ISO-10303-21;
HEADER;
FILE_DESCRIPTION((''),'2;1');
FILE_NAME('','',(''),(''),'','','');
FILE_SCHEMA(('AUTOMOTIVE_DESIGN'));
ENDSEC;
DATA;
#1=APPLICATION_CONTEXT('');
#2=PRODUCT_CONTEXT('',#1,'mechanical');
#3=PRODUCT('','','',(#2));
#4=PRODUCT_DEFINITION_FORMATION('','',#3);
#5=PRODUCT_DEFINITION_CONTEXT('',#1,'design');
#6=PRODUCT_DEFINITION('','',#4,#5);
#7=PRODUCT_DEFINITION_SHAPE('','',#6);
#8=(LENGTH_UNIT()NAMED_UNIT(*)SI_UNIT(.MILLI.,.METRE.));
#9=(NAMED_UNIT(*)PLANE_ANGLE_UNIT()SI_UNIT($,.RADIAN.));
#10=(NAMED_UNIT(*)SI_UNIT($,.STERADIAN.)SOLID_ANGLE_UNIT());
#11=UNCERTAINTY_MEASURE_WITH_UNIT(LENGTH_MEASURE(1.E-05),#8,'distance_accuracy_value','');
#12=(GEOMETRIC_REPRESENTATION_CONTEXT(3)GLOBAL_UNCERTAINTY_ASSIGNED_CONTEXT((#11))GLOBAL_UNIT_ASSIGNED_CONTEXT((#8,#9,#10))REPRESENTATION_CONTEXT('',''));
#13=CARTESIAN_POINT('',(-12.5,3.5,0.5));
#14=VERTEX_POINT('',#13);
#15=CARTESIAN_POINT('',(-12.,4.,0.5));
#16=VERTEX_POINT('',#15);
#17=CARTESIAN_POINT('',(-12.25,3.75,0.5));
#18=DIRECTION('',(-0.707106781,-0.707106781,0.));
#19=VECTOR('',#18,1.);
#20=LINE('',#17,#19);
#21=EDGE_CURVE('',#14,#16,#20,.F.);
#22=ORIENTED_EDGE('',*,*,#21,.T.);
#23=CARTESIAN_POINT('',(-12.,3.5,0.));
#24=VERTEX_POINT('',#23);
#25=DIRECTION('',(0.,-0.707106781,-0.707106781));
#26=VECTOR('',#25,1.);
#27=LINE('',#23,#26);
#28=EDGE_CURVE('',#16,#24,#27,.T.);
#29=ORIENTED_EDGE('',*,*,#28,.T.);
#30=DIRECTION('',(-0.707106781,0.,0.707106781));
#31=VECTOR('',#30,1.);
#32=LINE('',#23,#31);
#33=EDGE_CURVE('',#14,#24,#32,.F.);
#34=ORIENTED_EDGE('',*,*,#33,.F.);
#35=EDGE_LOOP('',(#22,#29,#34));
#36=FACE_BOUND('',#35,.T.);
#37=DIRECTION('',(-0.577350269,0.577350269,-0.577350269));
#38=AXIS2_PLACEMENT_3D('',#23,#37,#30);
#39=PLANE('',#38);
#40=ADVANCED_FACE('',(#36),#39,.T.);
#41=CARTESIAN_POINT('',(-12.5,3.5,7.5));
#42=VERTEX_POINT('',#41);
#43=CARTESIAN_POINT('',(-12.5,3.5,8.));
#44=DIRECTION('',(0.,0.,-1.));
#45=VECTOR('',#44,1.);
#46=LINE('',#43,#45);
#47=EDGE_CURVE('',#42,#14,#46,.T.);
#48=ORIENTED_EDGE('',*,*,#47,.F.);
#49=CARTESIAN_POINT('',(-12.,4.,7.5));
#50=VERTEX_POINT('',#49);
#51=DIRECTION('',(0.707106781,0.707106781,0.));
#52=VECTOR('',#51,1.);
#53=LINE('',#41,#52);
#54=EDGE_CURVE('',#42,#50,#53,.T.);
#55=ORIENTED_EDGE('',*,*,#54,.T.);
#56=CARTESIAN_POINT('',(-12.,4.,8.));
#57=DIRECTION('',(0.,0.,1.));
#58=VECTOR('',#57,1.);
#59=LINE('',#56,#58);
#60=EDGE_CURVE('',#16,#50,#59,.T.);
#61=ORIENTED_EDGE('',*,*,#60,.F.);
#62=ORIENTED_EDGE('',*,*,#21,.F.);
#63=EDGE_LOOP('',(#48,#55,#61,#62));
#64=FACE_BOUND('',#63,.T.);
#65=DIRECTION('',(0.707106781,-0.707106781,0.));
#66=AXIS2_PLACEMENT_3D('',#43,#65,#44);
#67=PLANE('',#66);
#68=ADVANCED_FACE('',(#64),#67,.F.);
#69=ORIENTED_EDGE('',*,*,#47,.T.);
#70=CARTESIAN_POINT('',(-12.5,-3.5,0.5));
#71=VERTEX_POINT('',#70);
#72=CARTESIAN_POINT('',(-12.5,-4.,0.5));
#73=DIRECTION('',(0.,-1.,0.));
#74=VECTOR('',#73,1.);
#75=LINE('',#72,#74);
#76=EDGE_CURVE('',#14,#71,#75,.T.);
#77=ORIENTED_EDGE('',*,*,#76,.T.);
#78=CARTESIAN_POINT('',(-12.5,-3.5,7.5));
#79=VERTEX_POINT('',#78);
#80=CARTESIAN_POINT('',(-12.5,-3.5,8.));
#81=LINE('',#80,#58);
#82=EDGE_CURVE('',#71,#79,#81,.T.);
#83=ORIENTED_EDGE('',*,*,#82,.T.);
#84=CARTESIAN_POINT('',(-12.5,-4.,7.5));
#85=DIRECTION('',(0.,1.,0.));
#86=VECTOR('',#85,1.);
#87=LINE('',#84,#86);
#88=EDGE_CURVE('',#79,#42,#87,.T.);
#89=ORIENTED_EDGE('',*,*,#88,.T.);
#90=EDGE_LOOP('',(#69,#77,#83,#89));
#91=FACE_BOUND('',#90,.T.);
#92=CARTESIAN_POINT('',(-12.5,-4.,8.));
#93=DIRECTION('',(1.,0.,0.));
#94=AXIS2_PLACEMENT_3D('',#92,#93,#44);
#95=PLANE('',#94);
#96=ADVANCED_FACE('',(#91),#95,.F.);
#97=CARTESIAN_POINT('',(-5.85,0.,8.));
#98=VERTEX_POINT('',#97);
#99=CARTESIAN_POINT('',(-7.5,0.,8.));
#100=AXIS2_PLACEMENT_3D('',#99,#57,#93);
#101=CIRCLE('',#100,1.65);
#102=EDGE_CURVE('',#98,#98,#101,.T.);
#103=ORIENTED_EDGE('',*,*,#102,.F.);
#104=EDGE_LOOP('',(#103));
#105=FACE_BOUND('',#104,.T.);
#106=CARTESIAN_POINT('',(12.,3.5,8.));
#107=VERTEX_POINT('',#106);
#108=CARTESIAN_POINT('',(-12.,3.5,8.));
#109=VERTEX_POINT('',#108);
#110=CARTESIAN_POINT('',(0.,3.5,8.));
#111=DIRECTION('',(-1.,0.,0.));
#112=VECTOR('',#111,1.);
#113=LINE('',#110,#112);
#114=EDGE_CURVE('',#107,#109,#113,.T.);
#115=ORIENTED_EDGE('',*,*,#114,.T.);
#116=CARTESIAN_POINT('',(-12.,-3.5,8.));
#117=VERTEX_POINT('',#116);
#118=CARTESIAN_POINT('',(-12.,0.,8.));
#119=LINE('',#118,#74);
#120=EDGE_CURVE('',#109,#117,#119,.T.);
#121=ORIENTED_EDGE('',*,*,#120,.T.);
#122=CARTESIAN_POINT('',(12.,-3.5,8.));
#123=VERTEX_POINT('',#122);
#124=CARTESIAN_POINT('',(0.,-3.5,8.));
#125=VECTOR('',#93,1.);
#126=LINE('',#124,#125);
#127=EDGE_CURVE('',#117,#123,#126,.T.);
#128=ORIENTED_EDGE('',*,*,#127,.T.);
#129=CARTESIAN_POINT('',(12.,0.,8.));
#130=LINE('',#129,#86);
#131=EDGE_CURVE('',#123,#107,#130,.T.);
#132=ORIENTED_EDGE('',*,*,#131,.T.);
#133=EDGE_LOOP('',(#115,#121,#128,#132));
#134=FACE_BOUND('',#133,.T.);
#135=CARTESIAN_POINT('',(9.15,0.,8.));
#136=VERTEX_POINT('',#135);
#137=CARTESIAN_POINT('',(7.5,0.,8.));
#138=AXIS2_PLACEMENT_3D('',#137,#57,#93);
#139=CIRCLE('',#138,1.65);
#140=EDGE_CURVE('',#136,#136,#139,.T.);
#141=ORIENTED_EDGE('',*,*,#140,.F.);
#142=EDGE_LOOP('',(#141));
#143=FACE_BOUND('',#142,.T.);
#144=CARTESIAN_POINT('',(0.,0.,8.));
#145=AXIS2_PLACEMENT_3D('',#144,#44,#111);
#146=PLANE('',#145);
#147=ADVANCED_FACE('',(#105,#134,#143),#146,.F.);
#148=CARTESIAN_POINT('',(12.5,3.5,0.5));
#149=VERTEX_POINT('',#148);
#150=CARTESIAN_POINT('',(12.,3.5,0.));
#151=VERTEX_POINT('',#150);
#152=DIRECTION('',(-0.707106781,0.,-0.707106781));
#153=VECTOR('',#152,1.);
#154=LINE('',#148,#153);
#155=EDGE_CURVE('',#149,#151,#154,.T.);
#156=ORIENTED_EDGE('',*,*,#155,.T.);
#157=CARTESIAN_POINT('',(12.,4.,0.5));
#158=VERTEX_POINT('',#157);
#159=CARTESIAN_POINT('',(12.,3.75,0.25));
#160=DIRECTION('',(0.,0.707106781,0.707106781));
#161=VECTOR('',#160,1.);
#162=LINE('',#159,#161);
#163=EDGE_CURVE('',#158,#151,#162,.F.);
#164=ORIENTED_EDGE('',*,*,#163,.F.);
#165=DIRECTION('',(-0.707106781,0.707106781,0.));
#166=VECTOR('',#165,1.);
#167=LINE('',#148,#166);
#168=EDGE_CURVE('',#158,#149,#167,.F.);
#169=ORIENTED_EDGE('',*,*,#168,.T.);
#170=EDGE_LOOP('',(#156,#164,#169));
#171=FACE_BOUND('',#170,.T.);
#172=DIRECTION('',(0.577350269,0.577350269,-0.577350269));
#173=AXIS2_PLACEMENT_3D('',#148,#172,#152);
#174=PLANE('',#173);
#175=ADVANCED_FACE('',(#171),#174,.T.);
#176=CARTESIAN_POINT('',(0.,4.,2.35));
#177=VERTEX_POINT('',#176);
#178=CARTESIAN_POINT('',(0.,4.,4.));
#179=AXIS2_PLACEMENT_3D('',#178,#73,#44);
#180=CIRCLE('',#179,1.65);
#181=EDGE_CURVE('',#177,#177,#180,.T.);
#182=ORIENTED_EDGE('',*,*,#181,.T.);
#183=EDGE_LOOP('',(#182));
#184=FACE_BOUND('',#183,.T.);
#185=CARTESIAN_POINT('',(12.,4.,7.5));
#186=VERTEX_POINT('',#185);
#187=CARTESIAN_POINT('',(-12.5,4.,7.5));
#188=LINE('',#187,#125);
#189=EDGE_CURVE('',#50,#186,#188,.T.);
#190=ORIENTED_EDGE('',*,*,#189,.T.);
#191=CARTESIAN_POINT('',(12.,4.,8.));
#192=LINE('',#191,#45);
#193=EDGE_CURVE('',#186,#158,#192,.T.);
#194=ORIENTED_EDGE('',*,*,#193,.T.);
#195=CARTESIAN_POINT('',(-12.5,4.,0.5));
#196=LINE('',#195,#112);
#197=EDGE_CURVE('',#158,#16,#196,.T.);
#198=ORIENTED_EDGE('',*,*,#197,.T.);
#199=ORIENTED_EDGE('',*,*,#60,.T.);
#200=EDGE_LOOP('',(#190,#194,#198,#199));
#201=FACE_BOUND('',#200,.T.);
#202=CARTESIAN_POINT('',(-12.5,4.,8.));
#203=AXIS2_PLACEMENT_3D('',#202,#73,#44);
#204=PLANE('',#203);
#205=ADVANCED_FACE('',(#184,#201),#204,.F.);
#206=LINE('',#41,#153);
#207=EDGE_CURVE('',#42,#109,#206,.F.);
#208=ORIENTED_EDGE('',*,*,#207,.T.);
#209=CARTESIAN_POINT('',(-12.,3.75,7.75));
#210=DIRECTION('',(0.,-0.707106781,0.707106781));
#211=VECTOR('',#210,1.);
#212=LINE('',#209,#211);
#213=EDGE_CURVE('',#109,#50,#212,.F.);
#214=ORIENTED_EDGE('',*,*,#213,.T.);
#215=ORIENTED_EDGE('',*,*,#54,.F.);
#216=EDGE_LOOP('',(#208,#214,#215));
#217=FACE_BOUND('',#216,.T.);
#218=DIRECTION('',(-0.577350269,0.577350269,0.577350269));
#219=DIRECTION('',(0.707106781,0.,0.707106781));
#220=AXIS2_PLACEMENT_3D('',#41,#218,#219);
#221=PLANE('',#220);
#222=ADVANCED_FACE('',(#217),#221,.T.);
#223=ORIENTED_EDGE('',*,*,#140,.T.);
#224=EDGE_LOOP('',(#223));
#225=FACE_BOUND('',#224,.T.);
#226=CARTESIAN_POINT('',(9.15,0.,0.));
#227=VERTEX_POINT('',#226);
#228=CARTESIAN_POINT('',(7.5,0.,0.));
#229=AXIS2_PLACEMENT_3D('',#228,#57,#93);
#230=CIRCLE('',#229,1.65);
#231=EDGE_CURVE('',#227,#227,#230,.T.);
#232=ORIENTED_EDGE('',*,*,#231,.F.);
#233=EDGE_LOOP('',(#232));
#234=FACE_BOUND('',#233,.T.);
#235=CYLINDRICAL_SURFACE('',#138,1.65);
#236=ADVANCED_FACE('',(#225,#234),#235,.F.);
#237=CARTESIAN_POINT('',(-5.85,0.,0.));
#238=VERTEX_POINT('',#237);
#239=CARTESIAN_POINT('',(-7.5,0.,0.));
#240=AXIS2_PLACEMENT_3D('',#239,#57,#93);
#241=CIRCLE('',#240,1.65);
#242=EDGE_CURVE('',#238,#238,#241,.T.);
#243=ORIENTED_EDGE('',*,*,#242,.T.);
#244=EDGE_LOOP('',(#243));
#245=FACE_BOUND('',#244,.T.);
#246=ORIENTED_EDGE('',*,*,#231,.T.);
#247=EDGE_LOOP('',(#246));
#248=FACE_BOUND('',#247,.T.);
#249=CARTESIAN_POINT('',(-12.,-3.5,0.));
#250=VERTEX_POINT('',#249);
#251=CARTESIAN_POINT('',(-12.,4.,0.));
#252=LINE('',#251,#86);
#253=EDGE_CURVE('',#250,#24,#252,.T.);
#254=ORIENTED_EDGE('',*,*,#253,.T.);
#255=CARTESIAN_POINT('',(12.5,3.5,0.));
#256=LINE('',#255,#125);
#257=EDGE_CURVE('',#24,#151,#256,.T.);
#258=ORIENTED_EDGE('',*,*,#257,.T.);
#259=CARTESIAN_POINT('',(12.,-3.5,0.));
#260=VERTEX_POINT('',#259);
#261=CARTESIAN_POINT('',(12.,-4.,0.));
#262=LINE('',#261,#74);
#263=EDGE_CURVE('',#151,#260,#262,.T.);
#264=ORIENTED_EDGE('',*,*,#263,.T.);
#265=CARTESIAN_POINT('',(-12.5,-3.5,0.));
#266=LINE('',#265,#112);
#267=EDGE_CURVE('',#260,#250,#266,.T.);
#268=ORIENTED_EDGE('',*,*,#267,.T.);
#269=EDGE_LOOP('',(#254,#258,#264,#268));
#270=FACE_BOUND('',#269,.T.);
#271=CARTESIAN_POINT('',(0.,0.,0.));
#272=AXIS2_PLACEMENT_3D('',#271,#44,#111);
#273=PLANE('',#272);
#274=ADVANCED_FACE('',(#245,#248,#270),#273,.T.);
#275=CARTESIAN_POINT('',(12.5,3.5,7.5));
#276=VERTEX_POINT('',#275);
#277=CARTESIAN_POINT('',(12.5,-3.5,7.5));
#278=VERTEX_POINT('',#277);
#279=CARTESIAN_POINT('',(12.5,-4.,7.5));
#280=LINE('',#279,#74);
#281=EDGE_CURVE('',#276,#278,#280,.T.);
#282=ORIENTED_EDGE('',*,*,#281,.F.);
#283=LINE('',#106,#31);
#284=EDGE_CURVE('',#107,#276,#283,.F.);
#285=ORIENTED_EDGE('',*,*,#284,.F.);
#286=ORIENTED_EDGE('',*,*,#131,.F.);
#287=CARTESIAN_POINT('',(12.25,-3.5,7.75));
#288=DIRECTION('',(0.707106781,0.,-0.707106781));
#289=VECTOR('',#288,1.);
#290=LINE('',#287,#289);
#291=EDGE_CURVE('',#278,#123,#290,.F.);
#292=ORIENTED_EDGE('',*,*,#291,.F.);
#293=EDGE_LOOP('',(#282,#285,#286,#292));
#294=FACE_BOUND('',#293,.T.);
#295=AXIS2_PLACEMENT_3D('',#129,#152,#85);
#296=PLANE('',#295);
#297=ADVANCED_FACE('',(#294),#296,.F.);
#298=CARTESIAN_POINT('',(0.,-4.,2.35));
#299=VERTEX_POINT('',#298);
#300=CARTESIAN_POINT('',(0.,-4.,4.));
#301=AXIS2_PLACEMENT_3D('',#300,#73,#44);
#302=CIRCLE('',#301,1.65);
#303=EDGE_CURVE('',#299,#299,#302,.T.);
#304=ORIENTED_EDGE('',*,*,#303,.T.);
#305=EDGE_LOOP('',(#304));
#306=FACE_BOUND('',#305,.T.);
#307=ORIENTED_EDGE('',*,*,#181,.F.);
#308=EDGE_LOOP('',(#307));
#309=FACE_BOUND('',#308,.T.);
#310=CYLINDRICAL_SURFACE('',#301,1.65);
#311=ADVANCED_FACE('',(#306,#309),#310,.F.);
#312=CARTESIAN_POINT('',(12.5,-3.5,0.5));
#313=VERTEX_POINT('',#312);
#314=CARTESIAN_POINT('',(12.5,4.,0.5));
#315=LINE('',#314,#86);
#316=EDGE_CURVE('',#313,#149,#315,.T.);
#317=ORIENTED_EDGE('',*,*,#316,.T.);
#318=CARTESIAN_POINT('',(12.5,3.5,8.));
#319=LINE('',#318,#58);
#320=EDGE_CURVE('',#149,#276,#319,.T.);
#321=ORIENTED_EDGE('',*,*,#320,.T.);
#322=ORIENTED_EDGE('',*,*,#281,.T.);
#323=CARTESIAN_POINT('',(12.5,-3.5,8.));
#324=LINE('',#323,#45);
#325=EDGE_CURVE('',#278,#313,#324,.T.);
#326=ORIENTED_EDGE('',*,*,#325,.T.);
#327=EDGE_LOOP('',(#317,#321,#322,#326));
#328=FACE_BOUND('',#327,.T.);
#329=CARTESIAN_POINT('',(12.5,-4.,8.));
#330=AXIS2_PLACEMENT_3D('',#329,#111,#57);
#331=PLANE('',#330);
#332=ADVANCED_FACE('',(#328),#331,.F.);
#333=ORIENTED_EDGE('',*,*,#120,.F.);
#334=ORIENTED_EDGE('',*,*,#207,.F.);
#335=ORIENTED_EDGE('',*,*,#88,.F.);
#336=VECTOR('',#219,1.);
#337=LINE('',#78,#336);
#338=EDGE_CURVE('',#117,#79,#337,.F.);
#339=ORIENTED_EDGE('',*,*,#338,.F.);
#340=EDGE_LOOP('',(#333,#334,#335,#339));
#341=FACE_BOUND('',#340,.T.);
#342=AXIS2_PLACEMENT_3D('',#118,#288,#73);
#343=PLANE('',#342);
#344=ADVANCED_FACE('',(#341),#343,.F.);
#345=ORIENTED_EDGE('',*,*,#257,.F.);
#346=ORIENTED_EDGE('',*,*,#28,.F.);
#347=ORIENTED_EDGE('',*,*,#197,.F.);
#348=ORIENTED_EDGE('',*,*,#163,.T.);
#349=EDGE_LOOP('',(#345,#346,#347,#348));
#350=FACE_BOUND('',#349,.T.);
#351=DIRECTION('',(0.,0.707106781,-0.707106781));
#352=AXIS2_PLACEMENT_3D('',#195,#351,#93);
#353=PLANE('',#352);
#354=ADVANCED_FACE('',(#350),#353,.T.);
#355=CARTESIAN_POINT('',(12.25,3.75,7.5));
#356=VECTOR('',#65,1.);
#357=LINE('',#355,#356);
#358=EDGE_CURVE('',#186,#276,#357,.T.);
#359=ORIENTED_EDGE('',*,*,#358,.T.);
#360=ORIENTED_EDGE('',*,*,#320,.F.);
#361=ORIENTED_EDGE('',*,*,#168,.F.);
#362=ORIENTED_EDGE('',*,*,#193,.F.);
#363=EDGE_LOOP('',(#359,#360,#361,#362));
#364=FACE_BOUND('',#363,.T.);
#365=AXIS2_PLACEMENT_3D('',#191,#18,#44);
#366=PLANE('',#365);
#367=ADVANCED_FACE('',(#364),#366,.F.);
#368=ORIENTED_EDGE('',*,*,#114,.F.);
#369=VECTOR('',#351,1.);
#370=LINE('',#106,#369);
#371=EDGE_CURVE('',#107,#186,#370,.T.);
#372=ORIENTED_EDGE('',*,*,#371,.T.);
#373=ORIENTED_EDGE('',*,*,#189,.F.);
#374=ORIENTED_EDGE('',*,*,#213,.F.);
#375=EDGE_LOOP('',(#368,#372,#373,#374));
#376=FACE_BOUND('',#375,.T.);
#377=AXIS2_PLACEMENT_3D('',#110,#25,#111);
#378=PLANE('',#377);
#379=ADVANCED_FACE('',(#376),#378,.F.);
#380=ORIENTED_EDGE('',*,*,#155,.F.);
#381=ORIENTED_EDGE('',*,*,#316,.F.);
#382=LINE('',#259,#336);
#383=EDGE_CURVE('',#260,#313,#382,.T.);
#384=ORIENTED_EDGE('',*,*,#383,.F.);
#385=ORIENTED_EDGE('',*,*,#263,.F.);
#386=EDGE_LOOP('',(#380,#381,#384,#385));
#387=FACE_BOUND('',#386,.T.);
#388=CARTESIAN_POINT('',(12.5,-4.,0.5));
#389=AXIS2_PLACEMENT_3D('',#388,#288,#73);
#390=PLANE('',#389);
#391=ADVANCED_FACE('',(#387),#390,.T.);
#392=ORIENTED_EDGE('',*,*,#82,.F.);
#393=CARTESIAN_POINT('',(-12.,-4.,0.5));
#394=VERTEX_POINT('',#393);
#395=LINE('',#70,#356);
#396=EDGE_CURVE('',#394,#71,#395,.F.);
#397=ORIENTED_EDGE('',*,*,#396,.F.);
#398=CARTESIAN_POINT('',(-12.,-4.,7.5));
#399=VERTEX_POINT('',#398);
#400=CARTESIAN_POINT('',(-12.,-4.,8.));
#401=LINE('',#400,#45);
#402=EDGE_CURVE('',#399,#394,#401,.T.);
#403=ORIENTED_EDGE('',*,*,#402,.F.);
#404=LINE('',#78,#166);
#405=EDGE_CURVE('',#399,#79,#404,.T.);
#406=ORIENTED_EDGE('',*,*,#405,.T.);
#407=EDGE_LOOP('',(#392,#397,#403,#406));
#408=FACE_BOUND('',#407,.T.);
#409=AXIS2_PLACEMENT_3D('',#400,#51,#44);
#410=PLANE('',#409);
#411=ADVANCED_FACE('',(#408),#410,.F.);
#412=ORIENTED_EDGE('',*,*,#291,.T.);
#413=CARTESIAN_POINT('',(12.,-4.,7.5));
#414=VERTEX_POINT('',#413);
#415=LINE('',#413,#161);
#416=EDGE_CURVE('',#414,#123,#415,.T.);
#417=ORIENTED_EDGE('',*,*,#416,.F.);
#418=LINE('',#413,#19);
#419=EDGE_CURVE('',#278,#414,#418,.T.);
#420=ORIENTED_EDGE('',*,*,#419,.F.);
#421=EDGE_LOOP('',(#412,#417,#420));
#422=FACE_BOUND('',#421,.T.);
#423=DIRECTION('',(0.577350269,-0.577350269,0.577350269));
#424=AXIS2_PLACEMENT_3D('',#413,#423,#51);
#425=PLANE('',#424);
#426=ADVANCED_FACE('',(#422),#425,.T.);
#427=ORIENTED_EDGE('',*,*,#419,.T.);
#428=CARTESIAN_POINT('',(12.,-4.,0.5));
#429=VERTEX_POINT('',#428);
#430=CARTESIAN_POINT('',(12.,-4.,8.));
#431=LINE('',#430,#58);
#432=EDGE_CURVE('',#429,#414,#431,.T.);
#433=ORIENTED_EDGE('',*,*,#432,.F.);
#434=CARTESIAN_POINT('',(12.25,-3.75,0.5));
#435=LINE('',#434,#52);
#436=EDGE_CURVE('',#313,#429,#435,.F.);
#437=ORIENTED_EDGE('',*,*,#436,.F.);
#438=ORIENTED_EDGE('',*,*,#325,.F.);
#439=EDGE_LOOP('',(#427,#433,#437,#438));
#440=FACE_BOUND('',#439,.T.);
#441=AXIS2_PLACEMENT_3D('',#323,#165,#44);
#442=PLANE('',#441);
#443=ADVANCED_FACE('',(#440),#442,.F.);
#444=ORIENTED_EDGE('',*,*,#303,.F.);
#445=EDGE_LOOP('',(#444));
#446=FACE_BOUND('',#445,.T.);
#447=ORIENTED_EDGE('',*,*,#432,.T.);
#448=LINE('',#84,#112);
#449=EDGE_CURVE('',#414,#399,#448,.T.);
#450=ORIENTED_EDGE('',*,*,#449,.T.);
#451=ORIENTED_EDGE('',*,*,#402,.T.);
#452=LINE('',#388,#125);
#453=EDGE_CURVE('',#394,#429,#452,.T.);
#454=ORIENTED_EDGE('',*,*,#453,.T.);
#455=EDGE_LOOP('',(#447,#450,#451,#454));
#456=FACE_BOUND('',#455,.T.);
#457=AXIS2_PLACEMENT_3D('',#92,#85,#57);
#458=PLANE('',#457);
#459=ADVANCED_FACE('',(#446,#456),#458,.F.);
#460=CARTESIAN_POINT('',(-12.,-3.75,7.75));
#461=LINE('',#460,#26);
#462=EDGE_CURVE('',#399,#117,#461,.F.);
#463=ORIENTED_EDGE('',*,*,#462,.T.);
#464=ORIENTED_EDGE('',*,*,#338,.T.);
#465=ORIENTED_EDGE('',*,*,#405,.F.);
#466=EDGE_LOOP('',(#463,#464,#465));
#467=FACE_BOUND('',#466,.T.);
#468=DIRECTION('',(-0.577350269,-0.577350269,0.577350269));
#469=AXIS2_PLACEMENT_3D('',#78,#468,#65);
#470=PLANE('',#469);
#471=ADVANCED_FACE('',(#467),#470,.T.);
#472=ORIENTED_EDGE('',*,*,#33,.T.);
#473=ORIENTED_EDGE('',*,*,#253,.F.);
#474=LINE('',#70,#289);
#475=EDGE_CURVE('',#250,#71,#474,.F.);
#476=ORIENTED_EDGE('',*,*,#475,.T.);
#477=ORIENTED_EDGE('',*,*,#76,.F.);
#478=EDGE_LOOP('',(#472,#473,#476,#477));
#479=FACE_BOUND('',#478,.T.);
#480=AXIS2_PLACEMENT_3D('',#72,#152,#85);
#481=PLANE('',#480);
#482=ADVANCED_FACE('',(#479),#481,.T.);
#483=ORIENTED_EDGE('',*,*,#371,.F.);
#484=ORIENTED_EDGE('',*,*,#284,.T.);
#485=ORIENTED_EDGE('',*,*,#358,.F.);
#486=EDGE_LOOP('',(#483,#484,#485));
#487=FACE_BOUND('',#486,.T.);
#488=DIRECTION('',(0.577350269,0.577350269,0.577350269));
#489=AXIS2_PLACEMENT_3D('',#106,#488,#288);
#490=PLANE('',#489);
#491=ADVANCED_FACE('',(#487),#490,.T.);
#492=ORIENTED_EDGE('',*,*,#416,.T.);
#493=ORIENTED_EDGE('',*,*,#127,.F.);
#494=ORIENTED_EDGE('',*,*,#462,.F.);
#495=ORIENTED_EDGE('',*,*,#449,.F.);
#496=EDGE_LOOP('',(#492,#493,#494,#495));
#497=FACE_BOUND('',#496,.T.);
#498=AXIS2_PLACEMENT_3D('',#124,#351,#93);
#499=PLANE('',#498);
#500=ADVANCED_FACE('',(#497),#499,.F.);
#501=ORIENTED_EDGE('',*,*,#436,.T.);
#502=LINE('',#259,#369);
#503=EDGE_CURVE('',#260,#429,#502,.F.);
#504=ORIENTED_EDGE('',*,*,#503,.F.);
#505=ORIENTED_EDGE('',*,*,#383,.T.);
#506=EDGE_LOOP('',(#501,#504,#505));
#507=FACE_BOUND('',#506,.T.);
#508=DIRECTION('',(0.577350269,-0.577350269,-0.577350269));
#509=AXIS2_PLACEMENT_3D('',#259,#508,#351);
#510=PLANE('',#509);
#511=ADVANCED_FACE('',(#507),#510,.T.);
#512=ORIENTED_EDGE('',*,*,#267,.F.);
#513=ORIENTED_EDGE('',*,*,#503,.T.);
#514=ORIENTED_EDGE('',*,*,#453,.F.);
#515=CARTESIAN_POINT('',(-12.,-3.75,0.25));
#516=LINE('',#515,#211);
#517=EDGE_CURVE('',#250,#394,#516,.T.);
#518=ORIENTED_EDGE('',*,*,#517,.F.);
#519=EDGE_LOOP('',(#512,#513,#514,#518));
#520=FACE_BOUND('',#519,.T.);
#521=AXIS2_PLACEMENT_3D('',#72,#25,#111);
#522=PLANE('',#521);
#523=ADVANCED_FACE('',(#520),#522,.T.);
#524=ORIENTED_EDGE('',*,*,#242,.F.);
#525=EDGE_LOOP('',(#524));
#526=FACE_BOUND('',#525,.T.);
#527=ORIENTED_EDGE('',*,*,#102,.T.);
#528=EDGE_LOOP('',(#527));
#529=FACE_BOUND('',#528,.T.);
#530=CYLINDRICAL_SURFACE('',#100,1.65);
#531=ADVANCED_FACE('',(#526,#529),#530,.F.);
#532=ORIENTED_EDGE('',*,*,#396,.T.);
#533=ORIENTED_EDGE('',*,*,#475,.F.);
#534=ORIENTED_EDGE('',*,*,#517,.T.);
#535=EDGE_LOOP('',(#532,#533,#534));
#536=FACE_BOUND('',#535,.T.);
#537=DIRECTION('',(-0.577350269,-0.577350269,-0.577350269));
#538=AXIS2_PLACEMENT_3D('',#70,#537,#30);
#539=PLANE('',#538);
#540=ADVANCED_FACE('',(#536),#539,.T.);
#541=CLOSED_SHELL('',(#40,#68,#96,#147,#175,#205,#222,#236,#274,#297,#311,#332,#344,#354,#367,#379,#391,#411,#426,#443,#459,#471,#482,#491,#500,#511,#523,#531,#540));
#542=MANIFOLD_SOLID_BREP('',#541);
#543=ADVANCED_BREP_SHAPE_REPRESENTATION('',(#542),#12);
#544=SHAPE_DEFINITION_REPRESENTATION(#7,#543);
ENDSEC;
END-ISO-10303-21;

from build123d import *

# Parameters (mm, degrees)
SKETCH_1_W         = 25
SKETCH_1_H         = 8
EXTRUDE_1_DEPTH    = 8
CHAMFER_1_SIZE     = 0.5
HOLE_WIZARD_M4_1_D = 3.3
HOLE_WIZARD_M4_2_D = 3.3


with BuildPart() as part:
    # 草图1 → 凸台-拉伸1 (new body)
    with BuildSketch(Plane.XY):
        Rectangle(SKETCH_1_W, SKETCH_1_H)
    extrude(amount=EXTRUDE_1_DEPTH)

    # 倒角1
    chamfer_1_edges = [part.edges().sort_by_distance(p)[0] for p in [
        (-12.5, 0, 8),
        (0, -4, 8),
        (12.5, 0, 8),
        (0, -4, 0),
        (-12.5, 0, 0),
        (0, 4, 0),
        (12.5, 0, 0),
        (12.5, -4, 4),
        (-12.5, -4, 4),
        (-12.5, 4, 4),
        (12.5, 4, 4),
        (0, 4, 8),
    ]]
    chamfer(chamfer_1_edges, length=CHAMFER_1_SIZE)

    # M4 螺纹孔1 (through all)
    with Locations(Plane(origin=(0, -4, 4), x_dir=(0, 0, -1), z_dir=(0, -1, 0))):
        with Locations((0, 0)):
            Hole(HOLE_WIZARD_M4_1_D / 2)

    # M4 螺纹孔2 (through all)
    with Locations(Plane(origin=(-7.5, 0, 8), x_dir=(1, 0, 0), z_dir=(0, 0, 1))):
        with Locations((0, 0), (15, 0)):
            Hole(HOLE_WIZARD_M4_2_D / 2)


solid = part.part
